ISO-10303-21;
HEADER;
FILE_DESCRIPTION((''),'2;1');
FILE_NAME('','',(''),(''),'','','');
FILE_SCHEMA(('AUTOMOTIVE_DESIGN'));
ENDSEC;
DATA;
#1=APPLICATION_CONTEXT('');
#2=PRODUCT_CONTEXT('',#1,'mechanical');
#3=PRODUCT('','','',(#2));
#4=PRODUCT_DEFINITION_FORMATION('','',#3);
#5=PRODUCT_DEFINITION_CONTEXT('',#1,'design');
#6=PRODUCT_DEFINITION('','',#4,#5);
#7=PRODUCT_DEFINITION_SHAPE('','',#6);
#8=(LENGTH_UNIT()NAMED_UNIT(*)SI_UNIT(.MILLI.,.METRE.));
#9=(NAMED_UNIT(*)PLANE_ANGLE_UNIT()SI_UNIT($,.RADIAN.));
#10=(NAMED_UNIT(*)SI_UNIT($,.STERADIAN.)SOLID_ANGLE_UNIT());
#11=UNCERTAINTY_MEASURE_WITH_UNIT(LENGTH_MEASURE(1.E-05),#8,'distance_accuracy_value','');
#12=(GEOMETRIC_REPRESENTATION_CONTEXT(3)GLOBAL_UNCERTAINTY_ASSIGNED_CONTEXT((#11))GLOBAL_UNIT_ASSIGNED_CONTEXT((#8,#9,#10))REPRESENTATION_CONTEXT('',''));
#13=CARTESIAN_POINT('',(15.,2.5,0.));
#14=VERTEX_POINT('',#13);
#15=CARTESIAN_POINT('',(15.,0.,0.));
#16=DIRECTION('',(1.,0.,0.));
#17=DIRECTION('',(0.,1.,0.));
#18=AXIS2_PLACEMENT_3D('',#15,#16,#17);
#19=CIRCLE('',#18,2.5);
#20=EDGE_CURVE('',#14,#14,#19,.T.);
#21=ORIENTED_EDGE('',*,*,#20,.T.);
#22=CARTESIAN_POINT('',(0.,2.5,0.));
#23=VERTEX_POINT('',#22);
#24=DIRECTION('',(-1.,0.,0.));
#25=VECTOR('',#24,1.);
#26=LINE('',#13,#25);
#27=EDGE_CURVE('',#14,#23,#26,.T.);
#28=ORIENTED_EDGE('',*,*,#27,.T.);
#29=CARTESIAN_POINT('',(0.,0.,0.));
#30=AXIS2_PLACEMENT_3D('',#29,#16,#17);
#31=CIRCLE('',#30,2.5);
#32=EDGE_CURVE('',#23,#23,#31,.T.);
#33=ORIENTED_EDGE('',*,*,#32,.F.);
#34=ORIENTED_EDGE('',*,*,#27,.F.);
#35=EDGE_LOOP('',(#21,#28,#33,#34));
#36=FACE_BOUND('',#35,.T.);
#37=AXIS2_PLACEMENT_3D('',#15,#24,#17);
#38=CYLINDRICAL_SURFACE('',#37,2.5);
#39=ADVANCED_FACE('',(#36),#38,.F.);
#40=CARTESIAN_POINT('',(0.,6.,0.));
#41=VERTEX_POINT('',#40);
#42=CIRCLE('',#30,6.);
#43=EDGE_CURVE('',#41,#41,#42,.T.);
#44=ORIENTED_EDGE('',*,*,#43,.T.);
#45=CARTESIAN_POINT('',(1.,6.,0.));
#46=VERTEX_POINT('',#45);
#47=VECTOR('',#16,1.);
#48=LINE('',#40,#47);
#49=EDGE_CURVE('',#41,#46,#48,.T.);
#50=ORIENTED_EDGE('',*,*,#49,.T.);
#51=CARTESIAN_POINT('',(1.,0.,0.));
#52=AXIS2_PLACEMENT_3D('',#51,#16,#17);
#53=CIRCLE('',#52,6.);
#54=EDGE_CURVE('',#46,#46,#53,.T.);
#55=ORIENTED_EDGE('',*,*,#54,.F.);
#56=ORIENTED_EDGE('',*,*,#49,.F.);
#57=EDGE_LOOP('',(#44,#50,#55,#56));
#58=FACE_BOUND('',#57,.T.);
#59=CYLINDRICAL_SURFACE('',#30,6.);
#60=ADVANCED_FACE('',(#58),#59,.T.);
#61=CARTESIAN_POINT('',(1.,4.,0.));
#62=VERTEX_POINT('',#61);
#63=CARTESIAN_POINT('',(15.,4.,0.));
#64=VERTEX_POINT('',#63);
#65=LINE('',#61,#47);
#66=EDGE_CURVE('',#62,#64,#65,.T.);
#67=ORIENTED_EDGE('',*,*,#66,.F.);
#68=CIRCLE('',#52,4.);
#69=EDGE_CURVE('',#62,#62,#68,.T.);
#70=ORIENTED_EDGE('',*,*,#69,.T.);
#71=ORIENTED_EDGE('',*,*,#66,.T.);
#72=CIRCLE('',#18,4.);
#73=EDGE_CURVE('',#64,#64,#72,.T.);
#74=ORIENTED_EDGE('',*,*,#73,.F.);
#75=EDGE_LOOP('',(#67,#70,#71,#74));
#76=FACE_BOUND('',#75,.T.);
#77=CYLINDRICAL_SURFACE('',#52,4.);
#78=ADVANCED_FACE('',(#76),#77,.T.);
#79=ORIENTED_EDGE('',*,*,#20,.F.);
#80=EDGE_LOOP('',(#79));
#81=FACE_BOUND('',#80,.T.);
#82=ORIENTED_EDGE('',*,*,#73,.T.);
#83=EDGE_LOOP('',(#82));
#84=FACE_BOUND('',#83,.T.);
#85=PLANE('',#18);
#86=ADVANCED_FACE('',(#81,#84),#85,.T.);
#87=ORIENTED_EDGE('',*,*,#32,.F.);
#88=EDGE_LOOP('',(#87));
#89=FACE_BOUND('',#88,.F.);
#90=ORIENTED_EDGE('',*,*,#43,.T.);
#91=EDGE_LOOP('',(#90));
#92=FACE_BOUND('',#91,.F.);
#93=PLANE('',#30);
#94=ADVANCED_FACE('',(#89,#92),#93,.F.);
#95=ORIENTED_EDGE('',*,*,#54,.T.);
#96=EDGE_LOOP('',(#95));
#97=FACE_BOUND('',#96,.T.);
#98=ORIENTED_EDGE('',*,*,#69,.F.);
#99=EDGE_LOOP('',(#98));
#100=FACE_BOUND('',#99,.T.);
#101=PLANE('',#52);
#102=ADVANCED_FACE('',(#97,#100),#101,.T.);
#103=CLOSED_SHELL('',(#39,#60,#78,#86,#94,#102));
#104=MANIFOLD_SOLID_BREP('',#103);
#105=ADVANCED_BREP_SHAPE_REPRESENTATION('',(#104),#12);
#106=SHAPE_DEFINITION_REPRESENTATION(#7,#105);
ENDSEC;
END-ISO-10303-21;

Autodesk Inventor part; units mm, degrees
ref_plane "YZ Plane" through (0, 0, 0) normal (1, 0, 0) x (0, 1, 0)
ref_plane "XZ Plane" through (0, 0, 0) normal (0, 1, 0) x (-1, 0, 0)
ref_plane "XY Plane" through (0, 0, 0) normal (0, 0, 1) x (1, 0, 0)
sketch "Sketch1" plane through (0, 0, 0) normal (0, 0, 1) x (1, 0, 0)
  line L0 (0, 0) -> (15, 0) construction
  line L1 (0, 0) -> (0, 15) construction
  line L2 (15, 0) -> (15, 15) construction
  line L3 (0, 6) -> (0, 2.5)
  line L4 (15, 2.5) -> (0, 2.5)
  line L5 (0, 6) -> (1, 6)
  line L6 (1, 6) -> (1, 4)
  line L7 (1, 4) -> (15, 4)
  line L8 (15, 4) -> (15, 2.5)
  dimension "d0" = 15
  dimension "d1" = 15
  dimension "d2" = 15
  dimension "d3" = 5
  dimension "d4" = 8
  dimension "d5" = 12
  dimension "d6" = 1
revolve "Révolution1" add sketch "Sketch1" angle 360 about axis through (0, 0, 0) along (1, 0, 0)
properties part number "M003" material "Laiton / Messing"
